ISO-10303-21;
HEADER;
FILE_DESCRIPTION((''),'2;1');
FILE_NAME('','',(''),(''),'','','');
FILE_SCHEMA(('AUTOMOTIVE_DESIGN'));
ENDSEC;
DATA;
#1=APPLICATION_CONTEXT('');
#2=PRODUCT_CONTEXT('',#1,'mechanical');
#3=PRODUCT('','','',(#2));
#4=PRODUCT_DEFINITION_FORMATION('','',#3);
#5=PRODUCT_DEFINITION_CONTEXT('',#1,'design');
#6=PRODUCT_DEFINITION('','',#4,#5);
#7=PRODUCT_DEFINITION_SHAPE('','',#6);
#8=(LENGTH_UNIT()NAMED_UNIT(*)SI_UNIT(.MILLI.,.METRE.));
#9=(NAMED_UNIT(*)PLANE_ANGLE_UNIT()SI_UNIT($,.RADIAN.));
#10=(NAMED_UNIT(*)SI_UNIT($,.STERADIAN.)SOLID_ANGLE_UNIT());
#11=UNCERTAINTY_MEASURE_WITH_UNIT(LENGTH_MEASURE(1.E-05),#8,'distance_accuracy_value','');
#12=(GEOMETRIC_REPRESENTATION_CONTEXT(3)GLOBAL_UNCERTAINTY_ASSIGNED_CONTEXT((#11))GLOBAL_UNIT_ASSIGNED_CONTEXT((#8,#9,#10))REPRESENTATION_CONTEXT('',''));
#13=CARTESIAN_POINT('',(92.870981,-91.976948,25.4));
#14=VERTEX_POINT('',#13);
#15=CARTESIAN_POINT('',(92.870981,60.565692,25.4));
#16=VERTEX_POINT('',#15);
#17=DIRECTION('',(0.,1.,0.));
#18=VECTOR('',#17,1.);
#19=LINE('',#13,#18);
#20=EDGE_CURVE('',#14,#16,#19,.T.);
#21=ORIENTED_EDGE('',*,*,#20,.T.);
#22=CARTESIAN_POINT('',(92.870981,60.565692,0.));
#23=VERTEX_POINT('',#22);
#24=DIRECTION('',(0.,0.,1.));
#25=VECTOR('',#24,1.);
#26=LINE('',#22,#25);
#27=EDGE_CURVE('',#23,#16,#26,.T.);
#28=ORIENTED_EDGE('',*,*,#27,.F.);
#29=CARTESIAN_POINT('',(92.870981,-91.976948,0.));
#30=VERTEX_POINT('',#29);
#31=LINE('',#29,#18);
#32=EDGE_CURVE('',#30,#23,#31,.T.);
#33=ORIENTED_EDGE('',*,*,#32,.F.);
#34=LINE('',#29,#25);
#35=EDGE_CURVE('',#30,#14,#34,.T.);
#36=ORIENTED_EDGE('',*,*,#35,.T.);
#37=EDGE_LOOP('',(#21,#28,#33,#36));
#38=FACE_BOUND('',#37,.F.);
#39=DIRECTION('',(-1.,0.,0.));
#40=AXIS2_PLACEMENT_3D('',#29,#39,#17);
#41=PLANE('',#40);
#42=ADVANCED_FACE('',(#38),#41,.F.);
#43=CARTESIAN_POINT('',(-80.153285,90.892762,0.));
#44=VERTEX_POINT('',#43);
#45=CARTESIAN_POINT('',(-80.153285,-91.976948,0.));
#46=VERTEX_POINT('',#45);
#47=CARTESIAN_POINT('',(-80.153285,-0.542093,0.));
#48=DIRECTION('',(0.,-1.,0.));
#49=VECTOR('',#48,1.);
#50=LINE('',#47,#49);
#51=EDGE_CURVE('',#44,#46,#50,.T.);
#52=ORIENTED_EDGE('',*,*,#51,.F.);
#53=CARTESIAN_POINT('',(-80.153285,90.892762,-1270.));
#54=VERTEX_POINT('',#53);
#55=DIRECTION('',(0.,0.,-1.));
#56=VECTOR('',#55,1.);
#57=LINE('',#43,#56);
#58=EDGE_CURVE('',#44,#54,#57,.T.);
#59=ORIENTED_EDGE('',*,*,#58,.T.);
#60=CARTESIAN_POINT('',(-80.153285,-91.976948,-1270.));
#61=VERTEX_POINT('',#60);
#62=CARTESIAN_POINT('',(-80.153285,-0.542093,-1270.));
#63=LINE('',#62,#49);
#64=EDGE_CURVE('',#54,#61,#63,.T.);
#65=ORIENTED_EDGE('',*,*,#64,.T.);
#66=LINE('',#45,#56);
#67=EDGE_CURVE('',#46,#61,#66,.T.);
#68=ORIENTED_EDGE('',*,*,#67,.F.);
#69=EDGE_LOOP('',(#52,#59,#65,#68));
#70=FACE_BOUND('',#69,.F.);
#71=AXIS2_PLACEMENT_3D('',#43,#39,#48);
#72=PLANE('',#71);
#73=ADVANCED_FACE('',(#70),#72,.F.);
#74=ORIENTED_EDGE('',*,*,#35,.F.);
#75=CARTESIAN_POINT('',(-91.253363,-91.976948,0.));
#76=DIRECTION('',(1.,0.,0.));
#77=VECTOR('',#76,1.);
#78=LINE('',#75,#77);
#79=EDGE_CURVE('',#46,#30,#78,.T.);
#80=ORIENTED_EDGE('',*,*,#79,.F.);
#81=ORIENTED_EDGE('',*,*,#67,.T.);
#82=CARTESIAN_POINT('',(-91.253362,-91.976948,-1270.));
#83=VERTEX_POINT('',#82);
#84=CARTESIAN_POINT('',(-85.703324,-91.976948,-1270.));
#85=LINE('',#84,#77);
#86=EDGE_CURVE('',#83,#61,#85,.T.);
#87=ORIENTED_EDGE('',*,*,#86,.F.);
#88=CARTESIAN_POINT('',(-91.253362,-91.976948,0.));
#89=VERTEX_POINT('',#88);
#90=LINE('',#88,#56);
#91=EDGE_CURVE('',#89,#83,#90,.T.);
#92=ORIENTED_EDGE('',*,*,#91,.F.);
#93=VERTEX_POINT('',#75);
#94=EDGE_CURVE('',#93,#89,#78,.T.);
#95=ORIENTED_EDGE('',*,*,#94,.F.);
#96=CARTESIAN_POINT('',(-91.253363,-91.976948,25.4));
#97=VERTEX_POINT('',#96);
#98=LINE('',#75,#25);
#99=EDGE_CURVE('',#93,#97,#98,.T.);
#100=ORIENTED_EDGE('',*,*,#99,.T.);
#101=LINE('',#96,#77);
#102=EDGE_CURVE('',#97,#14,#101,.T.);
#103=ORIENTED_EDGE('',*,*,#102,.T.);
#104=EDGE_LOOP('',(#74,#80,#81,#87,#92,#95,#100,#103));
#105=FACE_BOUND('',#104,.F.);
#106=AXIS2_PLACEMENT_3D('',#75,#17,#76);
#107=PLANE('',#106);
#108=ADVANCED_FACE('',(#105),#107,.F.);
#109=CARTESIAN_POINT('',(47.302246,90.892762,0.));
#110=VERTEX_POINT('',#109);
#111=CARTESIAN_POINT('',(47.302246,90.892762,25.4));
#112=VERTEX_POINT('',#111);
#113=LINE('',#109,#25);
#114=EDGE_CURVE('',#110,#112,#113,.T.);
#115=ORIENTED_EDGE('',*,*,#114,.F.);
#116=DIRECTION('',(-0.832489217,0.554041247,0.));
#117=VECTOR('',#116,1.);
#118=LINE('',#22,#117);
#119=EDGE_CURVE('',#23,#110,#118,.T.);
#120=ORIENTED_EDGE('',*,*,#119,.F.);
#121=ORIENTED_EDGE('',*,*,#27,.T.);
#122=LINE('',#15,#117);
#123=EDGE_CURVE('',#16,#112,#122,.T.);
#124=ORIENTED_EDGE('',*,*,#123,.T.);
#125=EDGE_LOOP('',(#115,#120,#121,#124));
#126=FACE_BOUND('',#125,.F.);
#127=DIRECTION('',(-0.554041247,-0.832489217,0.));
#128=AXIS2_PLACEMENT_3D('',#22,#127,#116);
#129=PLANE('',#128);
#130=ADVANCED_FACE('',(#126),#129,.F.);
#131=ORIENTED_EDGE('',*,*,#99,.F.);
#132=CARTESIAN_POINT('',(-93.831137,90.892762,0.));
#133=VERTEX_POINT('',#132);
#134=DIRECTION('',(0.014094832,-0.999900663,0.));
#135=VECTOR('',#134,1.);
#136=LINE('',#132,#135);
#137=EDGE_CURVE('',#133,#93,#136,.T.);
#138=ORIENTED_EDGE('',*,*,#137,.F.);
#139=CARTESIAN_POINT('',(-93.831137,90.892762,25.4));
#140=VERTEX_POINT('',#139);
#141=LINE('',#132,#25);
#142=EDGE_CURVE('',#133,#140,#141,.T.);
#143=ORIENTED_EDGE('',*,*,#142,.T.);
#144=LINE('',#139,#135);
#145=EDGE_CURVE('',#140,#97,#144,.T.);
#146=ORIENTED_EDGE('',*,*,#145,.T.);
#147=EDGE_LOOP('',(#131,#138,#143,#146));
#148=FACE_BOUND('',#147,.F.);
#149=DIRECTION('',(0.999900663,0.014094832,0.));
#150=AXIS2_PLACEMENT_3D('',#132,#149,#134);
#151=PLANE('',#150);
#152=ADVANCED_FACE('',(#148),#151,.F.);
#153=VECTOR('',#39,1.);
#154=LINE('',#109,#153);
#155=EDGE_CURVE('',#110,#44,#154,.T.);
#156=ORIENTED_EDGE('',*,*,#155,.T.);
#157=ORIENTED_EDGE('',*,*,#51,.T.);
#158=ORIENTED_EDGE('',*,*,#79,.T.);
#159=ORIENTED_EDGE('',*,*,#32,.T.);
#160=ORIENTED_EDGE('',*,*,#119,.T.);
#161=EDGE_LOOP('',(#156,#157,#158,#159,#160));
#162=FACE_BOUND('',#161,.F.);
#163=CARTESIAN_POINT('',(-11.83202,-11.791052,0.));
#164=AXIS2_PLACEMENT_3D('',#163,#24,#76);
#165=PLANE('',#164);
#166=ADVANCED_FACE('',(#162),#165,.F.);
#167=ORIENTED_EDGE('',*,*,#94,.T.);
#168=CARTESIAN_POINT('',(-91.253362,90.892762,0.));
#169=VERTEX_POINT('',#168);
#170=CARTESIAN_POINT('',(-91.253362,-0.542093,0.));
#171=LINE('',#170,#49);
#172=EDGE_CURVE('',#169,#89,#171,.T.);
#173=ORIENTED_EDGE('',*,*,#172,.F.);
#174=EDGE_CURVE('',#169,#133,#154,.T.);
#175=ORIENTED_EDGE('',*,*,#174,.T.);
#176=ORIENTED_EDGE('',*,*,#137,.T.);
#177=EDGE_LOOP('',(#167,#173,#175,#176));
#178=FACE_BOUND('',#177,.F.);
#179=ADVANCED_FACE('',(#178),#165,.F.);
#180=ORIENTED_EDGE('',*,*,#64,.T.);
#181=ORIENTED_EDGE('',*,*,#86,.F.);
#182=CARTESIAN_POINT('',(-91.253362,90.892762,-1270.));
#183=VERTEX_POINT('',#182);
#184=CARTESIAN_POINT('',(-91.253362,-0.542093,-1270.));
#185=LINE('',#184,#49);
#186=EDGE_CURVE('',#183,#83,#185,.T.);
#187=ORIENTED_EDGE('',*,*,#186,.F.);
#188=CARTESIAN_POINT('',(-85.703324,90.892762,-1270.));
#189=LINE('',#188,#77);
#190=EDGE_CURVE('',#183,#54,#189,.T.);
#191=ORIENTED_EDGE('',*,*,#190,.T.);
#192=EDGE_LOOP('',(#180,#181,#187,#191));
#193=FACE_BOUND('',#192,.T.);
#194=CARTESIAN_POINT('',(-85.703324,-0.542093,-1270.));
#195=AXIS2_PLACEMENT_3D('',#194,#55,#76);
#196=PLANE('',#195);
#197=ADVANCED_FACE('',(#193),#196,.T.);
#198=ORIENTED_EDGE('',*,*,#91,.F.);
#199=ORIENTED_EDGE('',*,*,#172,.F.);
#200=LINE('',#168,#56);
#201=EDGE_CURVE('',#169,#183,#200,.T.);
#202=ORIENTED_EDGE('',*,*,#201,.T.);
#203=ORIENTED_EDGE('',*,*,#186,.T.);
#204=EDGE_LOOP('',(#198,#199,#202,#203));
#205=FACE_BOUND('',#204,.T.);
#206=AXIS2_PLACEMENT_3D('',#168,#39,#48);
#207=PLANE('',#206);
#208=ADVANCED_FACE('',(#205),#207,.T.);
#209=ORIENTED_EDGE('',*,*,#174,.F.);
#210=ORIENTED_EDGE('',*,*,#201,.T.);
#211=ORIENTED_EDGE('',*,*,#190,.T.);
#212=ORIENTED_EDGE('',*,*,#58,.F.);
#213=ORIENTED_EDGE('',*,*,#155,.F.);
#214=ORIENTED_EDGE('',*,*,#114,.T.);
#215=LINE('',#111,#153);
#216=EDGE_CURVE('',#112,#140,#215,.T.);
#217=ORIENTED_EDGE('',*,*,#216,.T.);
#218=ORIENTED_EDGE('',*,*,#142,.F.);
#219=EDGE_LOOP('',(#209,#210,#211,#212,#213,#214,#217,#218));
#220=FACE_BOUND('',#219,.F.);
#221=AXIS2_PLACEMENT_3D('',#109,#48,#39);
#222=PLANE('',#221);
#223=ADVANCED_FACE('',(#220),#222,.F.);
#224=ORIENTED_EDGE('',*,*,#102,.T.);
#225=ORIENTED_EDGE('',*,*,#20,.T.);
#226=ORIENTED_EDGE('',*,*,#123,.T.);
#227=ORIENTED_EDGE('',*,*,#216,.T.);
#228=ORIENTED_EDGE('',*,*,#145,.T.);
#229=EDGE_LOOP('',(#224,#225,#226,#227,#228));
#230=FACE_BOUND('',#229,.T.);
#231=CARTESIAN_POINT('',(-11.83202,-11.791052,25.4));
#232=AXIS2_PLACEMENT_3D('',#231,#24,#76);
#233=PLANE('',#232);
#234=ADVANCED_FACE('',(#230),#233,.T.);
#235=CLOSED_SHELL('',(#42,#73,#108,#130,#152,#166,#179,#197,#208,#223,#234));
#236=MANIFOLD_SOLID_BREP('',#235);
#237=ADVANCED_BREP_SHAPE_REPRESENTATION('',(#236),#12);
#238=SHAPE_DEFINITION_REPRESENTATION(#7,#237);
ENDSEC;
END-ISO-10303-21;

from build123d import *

# Parameters (mm, degrees)
F1_DEPTH = 25.4
F2_W     = 11.100077
F2_H     = 182.86971
F3_DEPTH = 1270


with BuildPart() as f1:
    # F0 (on Top) → F1 (new body)
    with BuildSketch(Plane.XY):
        Polygon((-93.831137, 90.892762), (-91.253363, -91.976948), (92.870981, -91.976948), (92.870981, 29.878557), (77.333361, 29.878557), (77.333361, -74.912153), (-77.011138, -74.912153), (-77.333361, 75.729227), (29.386684, 75.729227), (29.386684, 90.892762), align=None)
        Polygon((77.333361, 29.878557), (92.870981, 29.878557), (92.870981, 60.565692), (47.302246, 90.892762), (29.386684, 90.892762), (29.386684, 75.729227), (-77.333361, 75.729227), (-77.011138, -74.912153), (77.333361, -74.912153), align=None)
    extrude(amount=F1_DEPTH)

    # F2 (on face) → F3 (join)
    with BuildSketch(Plane(origin=(0, 0, 0), x_dir=(1, 0, 0), z_dir=(0, 0, -1))):
        with Locations((-85.703324, 0.542093)):
            Rectangle(F2_W, F2_H)
    extrude(amount=F3_DEPTH)


solid = f1.part
